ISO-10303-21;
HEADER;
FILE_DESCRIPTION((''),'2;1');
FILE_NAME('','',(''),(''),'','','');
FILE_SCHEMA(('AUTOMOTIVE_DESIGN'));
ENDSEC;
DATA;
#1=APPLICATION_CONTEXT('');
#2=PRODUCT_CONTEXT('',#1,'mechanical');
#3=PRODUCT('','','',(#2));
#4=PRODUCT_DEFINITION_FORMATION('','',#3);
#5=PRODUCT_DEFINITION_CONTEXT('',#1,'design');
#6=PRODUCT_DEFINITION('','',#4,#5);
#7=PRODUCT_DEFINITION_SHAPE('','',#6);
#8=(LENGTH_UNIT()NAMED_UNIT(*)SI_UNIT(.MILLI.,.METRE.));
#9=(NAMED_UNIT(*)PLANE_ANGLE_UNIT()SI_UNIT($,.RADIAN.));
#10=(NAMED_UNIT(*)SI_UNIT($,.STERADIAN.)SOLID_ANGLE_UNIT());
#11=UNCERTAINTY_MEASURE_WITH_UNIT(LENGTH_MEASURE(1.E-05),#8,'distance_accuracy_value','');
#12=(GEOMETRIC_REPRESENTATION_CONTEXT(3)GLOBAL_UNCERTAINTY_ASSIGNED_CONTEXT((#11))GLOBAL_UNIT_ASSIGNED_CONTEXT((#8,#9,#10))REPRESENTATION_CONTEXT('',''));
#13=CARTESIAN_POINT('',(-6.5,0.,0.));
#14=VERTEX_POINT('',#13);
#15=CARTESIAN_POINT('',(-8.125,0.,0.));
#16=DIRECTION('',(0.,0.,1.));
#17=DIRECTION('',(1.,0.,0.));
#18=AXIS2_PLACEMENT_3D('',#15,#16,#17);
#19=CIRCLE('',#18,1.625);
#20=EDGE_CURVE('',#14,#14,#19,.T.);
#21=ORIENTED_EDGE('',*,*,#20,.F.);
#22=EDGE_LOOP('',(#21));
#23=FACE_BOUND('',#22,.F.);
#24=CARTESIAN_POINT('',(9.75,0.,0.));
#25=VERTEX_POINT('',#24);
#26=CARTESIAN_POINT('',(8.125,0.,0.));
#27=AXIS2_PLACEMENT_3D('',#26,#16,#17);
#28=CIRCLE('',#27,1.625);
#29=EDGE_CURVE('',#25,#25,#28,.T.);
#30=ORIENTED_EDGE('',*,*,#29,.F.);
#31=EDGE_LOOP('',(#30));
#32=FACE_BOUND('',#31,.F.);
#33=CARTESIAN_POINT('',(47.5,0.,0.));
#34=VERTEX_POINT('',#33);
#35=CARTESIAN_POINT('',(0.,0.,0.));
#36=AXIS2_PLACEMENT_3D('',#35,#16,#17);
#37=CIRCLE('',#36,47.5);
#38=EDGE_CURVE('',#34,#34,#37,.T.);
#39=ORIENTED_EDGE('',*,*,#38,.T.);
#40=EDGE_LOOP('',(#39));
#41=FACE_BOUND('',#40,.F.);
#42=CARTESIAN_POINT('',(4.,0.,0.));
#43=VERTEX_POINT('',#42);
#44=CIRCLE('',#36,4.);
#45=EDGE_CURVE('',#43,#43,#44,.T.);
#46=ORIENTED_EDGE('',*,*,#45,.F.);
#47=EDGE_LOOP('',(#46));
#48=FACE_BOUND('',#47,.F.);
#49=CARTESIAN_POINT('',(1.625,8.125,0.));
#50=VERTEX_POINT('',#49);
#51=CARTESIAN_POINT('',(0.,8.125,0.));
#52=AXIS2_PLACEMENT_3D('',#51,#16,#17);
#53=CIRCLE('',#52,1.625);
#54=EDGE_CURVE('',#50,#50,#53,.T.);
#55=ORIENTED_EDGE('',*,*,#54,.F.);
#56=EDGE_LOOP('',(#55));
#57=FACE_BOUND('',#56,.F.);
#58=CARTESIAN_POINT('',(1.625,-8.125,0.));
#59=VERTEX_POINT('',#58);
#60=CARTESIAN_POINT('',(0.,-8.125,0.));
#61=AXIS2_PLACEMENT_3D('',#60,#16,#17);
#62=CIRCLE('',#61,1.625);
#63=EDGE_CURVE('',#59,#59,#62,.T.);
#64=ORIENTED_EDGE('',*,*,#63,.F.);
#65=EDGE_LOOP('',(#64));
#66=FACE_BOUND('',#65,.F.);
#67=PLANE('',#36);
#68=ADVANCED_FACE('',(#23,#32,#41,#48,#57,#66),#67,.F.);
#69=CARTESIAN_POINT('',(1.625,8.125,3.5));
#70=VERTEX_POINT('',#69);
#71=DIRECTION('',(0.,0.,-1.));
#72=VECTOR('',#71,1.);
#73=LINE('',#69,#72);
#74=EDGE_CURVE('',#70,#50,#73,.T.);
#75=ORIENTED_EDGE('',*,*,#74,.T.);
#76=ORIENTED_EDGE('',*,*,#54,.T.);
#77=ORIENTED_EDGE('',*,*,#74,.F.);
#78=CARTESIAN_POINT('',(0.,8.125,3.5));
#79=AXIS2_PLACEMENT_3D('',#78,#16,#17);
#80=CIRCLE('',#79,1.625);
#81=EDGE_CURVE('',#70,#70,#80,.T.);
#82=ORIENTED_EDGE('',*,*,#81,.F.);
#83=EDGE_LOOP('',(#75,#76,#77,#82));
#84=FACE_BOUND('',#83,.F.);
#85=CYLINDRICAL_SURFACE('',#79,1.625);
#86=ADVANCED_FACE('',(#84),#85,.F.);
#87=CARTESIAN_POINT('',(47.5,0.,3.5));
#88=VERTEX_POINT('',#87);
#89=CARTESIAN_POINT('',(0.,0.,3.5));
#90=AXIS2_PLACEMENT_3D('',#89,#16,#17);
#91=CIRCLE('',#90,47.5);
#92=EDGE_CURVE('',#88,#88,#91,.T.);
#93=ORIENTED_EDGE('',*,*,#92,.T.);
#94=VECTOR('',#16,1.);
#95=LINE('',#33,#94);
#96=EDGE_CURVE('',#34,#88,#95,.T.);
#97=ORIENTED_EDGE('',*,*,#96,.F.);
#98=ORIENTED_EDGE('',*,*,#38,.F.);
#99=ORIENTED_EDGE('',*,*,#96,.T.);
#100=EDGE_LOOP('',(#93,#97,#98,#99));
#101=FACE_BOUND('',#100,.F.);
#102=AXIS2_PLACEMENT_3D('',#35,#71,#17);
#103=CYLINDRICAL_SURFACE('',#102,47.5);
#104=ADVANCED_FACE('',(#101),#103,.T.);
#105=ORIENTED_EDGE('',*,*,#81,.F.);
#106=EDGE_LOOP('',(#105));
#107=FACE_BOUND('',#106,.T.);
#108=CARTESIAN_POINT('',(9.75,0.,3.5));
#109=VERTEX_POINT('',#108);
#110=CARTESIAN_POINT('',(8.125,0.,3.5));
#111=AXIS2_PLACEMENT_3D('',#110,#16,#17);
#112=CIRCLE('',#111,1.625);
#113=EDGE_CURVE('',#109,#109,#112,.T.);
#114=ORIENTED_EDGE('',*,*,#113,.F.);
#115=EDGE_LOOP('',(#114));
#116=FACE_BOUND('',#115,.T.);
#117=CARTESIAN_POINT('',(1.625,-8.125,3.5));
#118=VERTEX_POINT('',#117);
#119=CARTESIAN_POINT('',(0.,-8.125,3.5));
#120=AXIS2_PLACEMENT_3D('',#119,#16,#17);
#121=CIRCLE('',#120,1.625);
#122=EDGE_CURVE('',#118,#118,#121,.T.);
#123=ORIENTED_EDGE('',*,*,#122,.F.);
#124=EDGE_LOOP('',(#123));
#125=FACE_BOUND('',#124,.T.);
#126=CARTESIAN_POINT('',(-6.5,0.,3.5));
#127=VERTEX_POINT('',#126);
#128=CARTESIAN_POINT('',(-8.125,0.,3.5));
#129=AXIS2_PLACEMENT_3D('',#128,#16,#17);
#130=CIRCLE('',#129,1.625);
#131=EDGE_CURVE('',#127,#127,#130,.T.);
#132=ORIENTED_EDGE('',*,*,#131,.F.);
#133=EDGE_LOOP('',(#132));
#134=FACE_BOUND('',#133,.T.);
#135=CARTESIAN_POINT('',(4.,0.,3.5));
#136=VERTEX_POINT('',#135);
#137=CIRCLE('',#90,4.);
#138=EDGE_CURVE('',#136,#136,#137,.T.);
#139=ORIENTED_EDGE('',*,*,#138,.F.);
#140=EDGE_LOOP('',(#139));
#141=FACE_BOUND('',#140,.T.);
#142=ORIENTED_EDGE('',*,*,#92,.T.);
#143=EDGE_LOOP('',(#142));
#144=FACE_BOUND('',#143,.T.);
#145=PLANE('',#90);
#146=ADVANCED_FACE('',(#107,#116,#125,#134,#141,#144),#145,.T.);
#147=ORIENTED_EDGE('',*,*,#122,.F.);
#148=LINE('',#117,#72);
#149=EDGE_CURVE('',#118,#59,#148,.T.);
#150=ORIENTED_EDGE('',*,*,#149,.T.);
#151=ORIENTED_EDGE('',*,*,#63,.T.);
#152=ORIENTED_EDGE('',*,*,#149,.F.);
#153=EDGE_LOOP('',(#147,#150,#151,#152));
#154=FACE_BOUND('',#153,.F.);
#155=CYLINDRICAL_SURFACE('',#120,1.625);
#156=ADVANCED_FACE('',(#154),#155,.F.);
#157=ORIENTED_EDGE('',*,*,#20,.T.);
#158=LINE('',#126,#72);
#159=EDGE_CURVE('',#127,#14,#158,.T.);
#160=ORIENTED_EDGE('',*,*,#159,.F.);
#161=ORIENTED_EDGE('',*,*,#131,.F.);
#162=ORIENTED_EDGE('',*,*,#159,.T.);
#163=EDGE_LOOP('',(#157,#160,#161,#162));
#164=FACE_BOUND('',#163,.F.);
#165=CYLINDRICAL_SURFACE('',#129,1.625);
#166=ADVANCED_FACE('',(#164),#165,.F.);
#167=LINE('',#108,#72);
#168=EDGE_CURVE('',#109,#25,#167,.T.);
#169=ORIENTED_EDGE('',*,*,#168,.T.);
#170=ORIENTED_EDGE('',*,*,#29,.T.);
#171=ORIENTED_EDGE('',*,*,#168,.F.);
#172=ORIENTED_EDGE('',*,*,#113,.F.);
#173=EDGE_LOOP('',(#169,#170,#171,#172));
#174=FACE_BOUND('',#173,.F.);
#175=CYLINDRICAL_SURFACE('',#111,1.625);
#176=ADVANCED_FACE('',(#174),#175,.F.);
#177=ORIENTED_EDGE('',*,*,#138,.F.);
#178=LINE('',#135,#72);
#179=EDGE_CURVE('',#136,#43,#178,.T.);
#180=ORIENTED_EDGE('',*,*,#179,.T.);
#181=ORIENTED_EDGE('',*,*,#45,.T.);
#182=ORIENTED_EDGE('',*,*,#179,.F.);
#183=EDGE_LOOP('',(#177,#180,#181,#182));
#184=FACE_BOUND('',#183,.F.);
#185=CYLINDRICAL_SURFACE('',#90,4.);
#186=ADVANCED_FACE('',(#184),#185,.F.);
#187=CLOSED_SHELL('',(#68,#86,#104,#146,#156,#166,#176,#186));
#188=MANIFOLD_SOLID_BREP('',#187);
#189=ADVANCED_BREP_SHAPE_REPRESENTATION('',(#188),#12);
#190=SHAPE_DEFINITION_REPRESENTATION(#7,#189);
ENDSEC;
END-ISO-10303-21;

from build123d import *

# Parameters (mm, degrees)
F0_R     = 47.5
F1_DEPTH = 3.5
F2_R     = 4
F3_DEPTH = 3.5
F4_R     = 1.625
F5_DEPTH = 3.5


with BuildPart() as f1:
    # F0 (on Top) → F1 (new body)
    with BuildSketch(Plane.XY):
        Circle(F0_R)
    extrude(amount=F1_DEPTH)

    # F2 (on face) → F3 (cut)
    with BuildSketch(Plane.XY.offset(3.5)):
        Circle(F2_R)
    extrude(amount=-F3_DEPTH, mode=Mode.SUBTRACT)

    # F4 (on face) → F5 (cut)
    with BuildSketch(Plane.XY.offset(3.5)):
        with Locations((0, 8.125)):
            Circle(F4_R)
        with Locations((-8.125, 0)):
            Circle(F4_R)
        with Locations((0, -8.125)):
            Circle(F4_R)
        with Locations((8.125, 0)):
            Circle(F4_R)
    extrude(amount=-F5_DEPTH, mode=Mode.SUBTRACT)


solid = f1.part
